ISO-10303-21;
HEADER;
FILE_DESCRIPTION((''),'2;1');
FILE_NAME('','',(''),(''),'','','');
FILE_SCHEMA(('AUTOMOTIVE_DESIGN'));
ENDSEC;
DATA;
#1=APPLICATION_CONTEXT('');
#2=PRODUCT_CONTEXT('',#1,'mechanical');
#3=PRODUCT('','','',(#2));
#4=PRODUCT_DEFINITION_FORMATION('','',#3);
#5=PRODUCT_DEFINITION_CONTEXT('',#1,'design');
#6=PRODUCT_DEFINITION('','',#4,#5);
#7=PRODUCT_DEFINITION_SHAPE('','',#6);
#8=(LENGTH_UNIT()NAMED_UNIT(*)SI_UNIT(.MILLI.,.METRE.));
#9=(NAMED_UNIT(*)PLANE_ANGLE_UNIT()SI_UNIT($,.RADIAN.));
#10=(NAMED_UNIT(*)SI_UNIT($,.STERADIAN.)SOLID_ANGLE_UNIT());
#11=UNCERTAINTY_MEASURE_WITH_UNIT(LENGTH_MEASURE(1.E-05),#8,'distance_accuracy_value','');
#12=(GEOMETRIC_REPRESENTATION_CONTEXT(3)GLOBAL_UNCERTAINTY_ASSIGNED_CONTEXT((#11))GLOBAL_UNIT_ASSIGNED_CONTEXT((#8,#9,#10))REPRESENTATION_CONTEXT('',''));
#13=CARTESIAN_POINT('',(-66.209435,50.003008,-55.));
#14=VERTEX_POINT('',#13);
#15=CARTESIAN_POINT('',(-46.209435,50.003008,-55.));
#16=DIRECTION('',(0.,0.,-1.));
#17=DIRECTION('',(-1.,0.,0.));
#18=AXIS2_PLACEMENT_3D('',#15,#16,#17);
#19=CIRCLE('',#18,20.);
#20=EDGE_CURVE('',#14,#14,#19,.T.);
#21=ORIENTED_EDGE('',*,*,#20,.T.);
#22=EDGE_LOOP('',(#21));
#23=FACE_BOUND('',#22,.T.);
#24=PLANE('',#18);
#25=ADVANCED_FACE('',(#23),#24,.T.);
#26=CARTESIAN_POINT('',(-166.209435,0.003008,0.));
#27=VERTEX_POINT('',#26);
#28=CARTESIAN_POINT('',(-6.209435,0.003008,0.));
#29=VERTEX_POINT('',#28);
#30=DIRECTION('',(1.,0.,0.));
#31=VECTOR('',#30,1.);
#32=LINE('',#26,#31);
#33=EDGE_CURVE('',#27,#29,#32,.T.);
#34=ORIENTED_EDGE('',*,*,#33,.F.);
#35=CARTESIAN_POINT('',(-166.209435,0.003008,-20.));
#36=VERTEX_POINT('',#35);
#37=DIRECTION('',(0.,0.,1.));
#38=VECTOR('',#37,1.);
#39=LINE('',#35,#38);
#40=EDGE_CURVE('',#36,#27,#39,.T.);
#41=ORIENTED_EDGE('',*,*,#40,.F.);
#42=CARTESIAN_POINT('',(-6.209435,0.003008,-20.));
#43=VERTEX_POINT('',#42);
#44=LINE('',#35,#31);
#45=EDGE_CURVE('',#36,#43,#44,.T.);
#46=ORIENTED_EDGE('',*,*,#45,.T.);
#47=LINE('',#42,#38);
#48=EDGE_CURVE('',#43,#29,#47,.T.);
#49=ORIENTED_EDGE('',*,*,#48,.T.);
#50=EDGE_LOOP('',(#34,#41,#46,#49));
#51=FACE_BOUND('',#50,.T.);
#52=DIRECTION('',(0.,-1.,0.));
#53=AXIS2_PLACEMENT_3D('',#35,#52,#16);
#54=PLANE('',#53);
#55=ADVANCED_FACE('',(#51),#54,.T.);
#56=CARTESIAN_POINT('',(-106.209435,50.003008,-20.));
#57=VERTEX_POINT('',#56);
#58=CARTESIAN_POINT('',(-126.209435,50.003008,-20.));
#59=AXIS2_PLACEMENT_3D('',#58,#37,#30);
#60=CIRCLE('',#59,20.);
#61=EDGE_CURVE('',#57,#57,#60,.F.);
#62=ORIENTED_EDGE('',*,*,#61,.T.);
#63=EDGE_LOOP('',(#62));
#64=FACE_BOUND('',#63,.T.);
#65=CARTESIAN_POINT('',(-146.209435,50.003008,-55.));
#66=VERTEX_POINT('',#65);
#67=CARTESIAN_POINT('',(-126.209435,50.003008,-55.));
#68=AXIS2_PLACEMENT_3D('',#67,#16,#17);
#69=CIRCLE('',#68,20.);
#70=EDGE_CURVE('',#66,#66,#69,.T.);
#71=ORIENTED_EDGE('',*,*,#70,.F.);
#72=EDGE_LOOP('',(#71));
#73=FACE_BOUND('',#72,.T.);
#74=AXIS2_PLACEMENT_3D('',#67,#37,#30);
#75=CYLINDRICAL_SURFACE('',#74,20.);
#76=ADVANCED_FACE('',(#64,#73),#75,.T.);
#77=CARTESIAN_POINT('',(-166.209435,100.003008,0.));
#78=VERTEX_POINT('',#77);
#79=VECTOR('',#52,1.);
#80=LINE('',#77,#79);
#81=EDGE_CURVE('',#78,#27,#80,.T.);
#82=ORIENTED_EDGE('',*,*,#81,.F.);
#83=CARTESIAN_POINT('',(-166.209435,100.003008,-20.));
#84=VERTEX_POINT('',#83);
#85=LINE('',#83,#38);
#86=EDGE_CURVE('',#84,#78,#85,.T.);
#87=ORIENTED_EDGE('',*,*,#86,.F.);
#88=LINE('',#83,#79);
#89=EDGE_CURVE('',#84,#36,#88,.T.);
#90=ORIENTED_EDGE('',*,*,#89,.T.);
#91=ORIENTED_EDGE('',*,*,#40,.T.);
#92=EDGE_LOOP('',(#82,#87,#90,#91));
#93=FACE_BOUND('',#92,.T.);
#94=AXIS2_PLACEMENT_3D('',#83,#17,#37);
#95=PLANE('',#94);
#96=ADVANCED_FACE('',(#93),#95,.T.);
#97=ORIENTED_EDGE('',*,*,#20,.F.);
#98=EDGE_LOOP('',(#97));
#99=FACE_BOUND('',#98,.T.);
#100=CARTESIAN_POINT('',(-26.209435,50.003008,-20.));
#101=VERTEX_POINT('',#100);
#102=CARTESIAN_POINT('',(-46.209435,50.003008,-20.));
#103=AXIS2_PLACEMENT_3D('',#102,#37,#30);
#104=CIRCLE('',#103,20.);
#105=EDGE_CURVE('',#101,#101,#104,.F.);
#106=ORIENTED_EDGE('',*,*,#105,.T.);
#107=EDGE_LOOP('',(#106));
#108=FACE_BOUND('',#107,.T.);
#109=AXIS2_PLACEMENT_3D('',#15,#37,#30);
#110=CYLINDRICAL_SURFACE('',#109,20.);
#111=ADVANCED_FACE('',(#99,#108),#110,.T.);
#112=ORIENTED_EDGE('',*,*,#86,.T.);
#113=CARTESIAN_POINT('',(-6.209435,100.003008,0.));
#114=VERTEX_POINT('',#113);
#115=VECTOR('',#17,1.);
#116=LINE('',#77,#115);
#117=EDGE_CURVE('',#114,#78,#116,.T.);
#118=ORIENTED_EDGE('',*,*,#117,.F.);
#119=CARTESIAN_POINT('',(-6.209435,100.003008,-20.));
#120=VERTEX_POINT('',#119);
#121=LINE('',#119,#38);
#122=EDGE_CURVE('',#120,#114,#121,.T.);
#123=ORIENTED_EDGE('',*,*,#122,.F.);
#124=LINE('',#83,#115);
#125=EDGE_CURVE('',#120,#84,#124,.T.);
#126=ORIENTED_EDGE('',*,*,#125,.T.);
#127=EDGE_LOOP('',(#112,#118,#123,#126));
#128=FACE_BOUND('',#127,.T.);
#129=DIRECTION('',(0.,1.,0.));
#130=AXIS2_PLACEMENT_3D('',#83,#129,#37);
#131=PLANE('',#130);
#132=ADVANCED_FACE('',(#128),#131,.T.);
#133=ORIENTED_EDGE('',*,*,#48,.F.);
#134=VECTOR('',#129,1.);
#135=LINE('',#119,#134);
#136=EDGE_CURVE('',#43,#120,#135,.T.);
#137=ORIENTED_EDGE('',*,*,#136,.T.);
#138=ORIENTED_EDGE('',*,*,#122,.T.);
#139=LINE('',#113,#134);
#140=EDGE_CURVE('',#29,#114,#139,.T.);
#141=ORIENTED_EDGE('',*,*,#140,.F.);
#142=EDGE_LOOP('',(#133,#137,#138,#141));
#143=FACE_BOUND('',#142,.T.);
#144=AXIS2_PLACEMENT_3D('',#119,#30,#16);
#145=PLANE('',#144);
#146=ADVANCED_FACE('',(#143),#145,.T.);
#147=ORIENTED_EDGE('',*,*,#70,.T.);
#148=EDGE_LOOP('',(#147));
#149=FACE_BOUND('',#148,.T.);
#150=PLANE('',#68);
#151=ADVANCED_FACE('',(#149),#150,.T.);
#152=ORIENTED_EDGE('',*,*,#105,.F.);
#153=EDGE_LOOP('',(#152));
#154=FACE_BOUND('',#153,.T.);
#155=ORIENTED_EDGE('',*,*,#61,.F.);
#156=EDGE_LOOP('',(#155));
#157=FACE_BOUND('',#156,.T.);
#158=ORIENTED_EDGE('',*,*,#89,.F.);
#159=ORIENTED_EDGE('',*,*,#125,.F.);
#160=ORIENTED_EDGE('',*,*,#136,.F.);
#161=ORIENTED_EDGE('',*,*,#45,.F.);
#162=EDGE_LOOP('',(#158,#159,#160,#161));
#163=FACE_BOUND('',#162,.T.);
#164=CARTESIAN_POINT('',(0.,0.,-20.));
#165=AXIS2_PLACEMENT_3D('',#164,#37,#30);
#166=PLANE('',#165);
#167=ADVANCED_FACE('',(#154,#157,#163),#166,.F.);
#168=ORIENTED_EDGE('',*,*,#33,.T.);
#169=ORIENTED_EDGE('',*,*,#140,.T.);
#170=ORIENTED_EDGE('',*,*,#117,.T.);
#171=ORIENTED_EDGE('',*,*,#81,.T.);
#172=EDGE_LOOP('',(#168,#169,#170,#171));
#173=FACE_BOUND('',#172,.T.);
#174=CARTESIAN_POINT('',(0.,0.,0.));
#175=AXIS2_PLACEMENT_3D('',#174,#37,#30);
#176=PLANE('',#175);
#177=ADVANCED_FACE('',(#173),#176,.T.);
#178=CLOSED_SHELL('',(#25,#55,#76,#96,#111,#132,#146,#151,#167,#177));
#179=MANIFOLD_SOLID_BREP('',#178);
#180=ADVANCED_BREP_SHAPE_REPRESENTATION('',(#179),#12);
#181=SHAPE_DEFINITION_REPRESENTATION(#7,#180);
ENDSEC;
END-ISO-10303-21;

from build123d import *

# Parameters (mm, degrees)
SKETCH_1_W      = 160
SKETCH_1_H      = 100
EXTRUDE_4_DEPTH = 20
SKETCH_3_R      = 20
EXTRUDE_5_DEPTH = 35


with BuildPart() as part:
    # 草图1 → 凸台-拉伸4 (new body)
    with BuildSketch(Plane.XY):
        with Locations((-86.209434593, 50.003007896)):
            Rectangle(SKETCH_1_W, SKETCH_1_H)
    extrude(amount=-EXTRUDE_4_DEPTH)

    # 草图3 → 凸台-拉伸5 (add)
    with BuildSketch(Plane(origin=(0, 0, -20), x_dir=(-1, 0, 0), z_dir=(0, 0, -1))):
        with Locations(Location((46.209434593, 50.003007896, 0), (0, 0, 180))):
            Circle(SKETCH_3_R)
        with Locations(Location((126.209434593, 50.003007896, 0), (0, 0, 180))):
            Circle(SKETCH_3_R)
    extrude(amount=EXTRUDE_5_DEPTH)


solid = part.part
